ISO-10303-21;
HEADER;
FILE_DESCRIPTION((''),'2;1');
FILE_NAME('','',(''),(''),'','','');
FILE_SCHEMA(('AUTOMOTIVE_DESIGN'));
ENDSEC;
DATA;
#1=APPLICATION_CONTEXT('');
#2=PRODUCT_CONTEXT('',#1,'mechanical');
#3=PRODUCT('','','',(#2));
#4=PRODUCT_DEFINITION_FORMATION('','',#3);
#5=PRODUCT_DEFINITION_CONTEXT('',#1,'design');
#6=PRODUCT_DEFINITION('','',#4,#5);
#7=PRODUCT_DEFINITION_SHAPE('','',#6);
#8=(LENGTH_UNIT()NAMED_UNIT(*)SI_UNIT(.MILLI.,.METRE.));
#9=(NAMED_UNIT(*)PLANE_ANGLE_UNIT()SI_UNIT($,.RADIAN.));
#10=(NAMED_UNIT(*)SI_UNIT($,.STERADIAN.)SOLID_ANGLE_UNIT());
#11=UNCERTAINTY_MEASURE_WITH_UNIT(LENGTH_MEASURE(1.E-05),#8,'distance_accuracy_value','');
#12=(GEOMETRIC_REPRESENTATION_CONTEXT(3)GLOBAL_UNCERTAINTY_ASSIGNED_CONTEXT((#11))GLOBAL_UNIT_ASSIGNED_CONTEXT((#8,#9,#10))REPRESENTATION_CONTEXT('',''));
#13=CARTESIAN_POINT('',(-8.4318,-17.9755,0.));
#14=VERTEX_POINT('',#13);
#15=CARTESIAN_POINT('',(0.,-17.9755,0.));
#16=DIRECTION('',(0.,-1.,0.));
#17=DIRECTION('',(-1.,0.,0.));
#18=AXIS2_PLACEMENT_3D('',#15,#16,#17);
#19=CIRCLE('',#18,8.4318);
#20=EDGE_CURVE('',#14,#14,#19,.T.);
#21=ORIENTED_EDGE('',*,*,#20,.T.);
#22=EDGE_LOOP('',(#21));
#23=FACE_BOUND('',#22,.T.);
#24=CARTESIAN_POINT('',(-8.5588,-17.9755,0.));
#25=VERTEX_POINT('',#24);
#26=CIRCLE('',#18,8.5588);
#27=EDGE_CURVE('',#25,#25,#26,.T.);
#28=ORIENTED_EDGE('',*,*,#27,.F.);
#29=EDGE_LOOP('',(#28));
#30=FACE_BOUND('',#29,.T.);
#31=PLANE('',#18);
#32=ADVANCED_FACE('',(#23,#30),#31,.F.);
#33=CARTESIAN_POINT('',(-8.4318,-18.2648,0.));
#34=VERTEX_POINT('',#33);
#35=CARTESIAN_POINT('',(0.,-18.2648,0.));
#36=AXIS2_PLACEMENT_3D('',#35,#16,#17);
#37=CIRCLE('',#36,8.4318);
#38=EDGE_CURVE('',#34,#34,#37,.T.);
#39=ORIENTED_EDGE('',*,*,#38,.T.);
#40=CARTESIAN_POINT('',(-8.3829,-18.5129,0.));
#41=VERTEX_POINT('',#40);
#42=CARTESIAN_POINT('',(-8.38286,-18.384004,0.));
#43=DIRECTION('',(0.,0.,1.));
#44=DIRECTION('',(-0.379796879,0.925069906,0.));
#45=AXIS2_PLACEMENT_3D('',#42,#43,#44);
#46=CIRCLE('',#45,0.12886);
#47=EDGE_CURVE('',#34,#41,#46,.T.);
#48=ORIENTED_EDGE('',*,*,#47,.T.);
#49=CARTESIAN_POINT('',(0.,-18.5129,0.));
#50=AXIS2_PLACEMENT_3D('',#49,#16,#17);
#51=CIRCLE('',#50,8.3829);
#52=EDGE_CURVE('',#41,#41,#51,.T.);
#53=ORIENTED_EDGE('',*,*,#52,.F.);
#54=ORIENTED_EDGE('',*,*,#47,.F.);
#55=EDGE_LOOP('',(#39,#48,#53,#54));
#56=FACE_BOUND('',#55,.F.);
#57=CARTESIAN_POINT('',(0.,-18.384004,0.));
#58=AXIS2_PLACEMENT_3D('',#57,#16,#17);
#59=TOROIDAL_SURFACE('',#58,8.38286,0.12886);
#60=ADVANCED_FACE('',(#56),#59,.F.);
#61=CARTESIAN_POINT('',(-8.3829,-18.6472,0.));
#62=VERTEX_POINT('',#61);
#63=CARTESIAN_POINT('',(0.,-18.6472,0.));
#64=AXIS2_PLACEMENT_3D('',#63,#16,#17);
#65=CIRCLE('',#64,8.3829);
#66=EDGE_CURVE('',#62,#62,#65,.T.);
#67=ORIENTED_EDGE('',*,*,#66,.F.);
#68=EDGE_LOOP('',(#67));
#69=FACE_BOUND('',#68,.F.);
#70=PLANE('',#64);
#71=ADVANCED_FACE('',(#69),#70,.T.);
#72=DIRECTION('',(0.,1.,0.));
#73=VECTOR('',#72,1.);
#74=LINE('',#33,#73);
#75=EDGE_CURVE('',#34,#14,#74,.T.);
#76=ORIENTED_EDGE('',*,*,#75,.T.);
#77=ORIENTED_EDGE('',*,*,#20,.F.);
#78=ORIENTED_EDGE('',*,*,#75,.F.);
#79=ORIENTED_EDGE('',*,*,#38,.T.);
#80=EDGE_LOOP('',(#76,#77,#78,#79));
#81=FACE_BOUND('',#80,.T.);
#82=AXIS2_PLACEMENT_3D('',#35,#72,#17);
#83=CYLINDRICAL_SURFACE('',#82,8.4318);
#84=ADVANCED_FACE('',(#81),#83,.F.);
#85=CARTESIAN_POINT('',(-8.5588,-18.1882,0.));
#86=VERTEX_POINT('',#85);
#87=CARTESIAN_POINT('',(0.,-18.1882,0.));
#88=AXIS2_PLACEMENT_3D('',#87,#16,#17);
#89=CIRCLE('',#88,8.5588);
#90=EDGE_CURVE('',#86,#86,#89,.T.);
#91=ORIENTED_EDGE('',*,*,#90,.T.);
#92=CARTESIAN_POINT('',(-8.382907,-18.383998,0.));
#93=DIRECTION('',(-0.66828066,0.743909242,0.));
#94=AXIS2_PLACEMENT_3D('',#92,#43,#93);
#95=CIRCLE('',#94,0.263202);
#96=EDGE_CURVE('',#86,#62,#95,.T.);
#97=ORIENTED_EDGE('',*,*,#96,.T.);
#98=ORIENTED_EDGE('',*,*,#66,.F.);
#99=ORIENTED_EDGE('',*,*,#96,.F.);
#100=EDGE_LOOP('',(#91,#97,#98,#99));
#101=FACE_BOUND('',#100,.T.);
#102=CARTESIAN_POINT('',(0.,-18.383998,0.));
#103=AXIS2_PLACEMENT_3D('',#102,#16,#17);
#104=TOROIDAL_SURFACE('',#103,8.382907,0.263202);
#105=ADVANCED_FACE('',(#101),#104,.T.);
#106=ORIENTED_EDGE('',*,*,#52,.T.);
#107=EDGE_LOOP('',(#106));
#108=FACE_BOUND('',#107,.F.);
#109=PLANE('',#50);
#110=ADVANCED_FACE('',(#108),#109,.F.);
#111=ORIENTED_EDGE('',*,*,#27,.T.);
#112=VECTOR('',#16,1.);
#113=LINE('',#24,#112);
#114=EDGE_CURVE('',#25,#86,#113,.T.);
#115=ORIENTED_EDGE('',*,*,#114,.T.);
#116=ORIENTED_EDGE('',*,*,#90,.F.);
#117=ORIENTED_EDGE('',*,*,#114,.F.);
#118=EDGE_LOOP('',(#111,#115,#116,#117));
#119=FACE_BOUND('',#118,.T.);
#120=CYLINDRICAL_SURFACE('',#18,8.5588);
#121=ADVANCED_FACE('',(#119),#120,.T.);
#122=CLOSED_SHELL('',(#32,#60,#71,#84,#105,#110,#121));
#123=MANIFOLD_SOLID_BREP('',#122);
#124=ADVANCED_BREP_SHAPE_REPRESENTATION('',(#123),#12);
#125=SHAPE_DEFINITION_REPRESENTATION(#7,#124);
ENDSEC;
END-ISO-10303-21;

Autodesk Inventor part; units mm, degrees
ref_plane "YZ Plane" through (0, 0, 0) normal (1, 0, 0) x (0, 1, 0)
ref_plane "XZ Plane" through (0, 0, 0) normal (0, 1, 0) x (-1, 0, 0)
ref_plane "XY Plane" through (0, 0, 0) normal (0, 0, 1) x (1, 0, 0)
sketch "Sketch1" plane through (0, 0, 0) normal (0, 0, 1) x (1, 0, 0)
  line L0 (-3.4203, -12.5273) -> (3.4203, -12.5273)
  line L1 (3.4203, -12.5273) -> (5.8707, -13.3236)
  arc A0 (6.1763, -13.6922) -> (5.8707, -13.3236) centre (5.7324, -13.7494) ccw
  arc A1 (6.1763, -13.6922) -> (7.2484, -14.6351) centre (7.2484, -13.5542) ccw
  line L2 (7.2484, -14.6351) -> (7.758, -14.6351)
  arc A2 (8.4318, -15.3089) -> (7.758, -14.6351) centre (7.758, -15.3089) ccw
  line L3 (8.4318, -15.3089) -> (8.4318, -18.2648)
  arc A3 (8.254, -18.384) -> (8.4318, -18.2648) centre (8.3829, -18.384) ccw
  line L4 (8.254, -18.384) -> (8.254, -15.3089)
  arc A4 (8.254, -15.3089) -> (7.758, -14.8129) centre (7.758, -15.3089) ccw
  line L5 (7.758, -14.8129) -> (7.2484, -14.8129)
  arc A5 (6, -13.7149) -> (7.2484, -14.8129) centre (7.2484, -13.5542) ccw
  arc A6 (6, -13.7149) -> (5.8158, -13.4927) centre (5.7324, -13.7494) ccw
  line L6 (5.8158, -13.4927) -> (3.3921, -12.7051)
  line L7 (3.3921, -12.7051) -> (-3.3921, -12.7051)
  line L8 (-3.3921, -12.7051) -> (-5.8158, -13.4927)
  arc A7 (-5.8158, -13.4927) -> (-6, -13.7149) centre (-5.7324, -13.7494) ccw
  arc A8 (-7.2484, -14.8129) -> (-6, -13.7149) centre (-7.2484, -13.5542) ccw
  line L9 (-7.2484, -14.8129) -> (-7.758, -14.8129)
  arc A9 (-7.758, -14.8129) -> (-8.254, -15.3089) centre (-7.758, -15.3089) ccw
  line L10 (-8.254, -15.3089) -> (-8.254, -18.384)
  arc A10 (-8.4318, -18.2648) -> (-8.254, -18.384) centre (-8.3829, -18.384) ccw
  line L11 (-8.4318, -18.2648) -> (-8.4318, -15.3089)
  arc A11 (-7.758, -14.6351) -> (-8.4318, -15.3089) centre (-7.758, -15.3089) ccw
  line L12 (-7.758, -14.6351) -> (-7.2484, -14.6351)
  arc A12 (-7.2484, -14.6351) -> (-6.1763, -13.6922) centre (-7.2484, -13.5542) ccw
  arc A13 (-5.8707, -13.3236) -> (-6.1763, -13.6922) centre (-5.7324, -13.7494) ccw
  line L13 (-5.8707, -13.3236) -> (-3.4203, -12.5273)
  line L14 (-8.4318, -17.9755) -> (-8.5588, -17.9755)
  line L15 (-8.5588, -17.9755) -> (-8.5588, -18.1882)
  line L16 (0, -9.0987) -> (0, -22.0894) construction
  line L17 (-8.3829, -18.5129) -> (0, -18.5129)
  line L18 (0, -18.5129) -> (0, -18.6472)
  line L19 (0, -18.6472) -> (-8.3829, -18.6472)
  arc A14 (-8.5588, -18.1882) -> (-8.3829, -18.6472) centre (-8.3829, -18.384) ccw
  point P0 (0, 0)
  dimension "d0" = 0.127
revolve "Revolution1" add sketch "Sketch1" angle 360 about axis through (0, -9.0987, 0) along (0, -1, 0) contours L11 A10 L17 L18 L19 A14 L15 L14
properties part number "Disceep20CaseBottom"
